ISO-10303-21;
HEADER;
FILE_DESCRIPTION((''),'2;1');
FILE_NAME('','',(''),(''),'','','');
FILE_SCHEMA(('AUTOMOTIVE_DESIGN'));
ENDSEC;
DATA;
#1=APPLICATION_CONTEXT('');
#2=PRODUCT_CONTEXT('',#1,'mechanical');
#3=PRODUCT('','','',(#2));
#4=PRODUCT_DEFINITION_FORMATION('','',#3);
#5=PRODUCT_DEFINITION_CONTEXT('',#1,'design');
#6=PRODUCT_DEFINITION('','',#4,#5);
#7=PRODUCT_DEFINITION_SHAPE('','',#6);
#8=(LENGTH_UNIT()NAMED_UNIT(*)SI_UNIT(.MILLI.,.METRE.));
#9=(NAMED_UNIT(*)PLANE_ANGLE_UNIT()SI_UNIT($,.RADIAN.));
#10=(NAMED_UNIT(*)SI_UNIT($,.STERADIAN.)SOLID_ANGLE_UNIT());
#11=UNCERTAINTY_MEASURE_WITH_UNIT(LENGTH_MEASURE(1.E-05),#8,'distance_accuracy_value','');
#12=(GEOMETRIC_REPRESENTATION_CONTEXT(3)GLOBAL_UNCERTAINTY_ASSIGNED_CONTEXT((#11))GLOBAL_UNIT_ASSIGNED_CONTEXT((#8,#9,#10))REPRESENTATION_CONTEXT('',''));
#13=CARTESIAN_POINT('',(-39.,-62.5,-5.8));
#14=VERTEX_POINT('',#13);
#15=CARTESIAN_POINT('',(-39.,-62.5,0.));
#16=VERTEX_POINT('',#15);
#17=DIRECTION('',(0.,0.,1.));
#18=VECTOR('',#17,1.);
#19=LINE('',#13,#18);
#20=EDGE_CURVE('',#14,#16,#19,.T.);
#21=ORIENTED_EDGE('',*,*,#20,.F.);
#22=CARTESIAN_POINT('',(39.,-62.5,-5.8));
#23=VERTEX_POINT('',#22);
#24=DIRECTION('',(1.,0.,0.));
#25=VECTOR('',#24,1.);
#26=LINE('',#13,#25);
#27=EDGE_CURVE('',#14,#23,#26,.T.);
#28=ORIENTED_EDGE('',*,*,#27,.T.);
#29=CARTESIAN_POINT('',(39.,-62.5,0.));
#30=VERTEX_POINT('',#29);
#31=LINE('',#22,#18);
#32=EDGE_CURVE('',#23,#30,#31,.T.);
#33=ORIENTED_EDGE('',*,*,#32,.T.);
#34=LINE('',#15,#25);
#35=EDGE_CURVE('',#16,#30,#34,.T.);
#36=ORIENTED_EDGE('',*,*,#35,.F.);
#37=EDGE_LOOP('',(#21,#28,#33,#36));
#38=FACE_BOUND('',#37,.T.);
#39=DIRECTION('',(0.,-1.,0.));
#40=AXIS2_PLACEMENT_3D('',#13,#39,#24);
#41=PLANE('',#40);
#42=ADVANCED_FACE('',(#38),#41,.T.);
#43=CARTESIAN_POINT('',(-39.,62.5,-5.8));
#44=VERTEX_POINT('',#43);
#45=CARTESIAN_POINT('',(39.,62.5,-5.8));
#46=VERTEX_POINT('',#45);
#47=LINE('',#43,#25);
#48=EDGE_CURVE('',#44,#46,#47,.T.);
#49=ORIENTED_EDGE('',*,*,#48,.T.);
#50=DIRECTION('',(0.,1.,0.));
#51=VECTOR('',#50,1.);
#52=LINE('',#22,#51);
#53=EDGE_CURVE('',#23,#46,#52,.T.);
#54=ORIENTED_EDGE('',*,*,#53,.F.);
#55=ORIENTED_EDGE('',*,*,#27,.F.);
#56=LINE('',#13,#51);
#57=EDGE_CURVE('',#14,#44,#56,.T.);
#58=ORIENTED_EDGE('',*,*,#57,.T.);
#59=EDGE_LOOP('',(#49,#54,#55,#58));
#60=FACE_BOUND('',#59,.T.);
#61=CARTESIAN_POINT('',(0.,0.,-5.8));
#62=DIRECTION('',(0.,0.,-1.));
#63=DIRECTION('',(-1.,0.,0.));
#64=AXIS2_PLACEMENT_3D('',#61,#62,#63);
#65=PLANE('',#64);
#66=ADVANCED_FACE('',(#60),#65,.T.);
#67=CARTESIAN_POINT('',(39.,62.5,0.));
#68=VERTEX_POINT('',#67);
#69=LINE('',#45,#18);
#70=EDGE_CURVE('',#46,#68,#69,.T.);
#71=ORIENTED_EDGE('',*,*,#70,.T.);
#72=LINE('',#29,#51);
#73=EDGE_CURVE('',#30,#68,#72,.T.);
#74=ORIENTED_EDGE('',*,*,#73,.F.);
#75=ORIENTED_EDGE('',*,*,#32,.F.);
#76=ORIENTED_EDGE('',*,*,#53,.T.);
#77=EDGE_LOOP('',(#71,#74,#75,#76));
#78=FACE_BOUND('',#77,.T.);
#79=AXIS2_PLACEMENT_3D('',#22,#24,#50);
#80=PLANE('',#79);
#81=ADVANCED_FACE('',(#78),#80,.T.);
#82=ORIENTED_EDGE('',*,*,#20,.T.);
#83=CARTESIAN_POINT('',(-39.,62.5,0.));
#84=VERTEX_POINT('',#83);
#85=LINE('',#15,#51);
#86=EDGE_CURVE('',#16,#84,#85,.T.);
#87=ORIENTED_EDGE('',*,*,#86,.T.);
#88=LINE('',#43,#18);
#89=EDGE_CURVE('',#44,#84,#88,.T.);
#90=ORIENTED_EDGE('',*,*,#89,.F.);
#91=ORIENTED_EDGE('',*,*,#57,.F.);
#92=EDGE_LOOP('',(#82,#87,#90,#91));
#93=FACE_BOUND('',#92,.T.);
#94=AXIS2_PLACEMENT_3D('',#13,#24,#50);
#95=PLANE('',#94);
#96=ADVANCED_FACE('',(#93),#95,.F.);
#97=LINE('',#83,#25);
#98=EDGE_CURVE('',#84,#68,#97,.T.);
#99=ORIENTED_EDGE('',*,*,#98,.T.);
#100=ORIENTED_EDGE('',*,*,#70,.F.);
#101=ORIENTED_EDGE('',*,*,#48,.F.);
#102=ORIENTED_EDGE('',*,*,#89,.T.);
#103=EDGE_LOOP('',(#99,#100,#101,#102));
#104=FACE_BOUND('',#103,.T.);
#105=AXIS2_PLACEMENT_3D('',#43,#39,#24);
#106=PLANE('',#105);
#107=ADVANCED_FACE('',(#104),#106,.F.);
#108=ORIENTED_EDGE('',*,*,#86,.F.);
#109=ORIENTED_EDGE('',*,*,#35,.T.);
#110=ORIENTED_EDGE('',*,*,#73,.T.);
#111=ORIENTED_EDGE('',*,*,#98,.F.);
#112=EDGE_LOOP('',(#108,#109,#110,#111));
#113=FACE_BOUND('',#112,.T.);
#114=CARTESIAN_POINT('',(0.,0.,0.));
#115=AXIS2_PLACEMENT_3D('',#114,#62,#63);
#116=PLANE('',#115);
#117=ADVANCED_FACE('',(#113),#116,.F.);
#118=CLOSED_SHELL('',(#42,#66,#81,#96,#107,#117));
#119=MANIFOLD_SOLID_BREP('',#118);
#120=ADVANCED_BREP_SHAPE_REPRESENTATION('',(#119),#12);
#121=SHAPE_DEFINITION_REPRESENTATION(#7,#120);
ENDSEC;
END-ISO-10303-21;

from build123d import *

# Parameters (mm, degrees)
SKETCH1_W           = 78
SKETCH1_H           = 125
BOSS_EXTRUDE1_DEPTH = 5.8


with BuildPart() as part:
    # Sketch1 → Boss-Extrude1 (new body)
    with BuildSketch(Plane.XY):
        Rectangle(SKETCH1_W, SKETCH1_H)
    extrude(amount=-BOSS_EXTRUDE1_DEPTH)


solid = part.part
